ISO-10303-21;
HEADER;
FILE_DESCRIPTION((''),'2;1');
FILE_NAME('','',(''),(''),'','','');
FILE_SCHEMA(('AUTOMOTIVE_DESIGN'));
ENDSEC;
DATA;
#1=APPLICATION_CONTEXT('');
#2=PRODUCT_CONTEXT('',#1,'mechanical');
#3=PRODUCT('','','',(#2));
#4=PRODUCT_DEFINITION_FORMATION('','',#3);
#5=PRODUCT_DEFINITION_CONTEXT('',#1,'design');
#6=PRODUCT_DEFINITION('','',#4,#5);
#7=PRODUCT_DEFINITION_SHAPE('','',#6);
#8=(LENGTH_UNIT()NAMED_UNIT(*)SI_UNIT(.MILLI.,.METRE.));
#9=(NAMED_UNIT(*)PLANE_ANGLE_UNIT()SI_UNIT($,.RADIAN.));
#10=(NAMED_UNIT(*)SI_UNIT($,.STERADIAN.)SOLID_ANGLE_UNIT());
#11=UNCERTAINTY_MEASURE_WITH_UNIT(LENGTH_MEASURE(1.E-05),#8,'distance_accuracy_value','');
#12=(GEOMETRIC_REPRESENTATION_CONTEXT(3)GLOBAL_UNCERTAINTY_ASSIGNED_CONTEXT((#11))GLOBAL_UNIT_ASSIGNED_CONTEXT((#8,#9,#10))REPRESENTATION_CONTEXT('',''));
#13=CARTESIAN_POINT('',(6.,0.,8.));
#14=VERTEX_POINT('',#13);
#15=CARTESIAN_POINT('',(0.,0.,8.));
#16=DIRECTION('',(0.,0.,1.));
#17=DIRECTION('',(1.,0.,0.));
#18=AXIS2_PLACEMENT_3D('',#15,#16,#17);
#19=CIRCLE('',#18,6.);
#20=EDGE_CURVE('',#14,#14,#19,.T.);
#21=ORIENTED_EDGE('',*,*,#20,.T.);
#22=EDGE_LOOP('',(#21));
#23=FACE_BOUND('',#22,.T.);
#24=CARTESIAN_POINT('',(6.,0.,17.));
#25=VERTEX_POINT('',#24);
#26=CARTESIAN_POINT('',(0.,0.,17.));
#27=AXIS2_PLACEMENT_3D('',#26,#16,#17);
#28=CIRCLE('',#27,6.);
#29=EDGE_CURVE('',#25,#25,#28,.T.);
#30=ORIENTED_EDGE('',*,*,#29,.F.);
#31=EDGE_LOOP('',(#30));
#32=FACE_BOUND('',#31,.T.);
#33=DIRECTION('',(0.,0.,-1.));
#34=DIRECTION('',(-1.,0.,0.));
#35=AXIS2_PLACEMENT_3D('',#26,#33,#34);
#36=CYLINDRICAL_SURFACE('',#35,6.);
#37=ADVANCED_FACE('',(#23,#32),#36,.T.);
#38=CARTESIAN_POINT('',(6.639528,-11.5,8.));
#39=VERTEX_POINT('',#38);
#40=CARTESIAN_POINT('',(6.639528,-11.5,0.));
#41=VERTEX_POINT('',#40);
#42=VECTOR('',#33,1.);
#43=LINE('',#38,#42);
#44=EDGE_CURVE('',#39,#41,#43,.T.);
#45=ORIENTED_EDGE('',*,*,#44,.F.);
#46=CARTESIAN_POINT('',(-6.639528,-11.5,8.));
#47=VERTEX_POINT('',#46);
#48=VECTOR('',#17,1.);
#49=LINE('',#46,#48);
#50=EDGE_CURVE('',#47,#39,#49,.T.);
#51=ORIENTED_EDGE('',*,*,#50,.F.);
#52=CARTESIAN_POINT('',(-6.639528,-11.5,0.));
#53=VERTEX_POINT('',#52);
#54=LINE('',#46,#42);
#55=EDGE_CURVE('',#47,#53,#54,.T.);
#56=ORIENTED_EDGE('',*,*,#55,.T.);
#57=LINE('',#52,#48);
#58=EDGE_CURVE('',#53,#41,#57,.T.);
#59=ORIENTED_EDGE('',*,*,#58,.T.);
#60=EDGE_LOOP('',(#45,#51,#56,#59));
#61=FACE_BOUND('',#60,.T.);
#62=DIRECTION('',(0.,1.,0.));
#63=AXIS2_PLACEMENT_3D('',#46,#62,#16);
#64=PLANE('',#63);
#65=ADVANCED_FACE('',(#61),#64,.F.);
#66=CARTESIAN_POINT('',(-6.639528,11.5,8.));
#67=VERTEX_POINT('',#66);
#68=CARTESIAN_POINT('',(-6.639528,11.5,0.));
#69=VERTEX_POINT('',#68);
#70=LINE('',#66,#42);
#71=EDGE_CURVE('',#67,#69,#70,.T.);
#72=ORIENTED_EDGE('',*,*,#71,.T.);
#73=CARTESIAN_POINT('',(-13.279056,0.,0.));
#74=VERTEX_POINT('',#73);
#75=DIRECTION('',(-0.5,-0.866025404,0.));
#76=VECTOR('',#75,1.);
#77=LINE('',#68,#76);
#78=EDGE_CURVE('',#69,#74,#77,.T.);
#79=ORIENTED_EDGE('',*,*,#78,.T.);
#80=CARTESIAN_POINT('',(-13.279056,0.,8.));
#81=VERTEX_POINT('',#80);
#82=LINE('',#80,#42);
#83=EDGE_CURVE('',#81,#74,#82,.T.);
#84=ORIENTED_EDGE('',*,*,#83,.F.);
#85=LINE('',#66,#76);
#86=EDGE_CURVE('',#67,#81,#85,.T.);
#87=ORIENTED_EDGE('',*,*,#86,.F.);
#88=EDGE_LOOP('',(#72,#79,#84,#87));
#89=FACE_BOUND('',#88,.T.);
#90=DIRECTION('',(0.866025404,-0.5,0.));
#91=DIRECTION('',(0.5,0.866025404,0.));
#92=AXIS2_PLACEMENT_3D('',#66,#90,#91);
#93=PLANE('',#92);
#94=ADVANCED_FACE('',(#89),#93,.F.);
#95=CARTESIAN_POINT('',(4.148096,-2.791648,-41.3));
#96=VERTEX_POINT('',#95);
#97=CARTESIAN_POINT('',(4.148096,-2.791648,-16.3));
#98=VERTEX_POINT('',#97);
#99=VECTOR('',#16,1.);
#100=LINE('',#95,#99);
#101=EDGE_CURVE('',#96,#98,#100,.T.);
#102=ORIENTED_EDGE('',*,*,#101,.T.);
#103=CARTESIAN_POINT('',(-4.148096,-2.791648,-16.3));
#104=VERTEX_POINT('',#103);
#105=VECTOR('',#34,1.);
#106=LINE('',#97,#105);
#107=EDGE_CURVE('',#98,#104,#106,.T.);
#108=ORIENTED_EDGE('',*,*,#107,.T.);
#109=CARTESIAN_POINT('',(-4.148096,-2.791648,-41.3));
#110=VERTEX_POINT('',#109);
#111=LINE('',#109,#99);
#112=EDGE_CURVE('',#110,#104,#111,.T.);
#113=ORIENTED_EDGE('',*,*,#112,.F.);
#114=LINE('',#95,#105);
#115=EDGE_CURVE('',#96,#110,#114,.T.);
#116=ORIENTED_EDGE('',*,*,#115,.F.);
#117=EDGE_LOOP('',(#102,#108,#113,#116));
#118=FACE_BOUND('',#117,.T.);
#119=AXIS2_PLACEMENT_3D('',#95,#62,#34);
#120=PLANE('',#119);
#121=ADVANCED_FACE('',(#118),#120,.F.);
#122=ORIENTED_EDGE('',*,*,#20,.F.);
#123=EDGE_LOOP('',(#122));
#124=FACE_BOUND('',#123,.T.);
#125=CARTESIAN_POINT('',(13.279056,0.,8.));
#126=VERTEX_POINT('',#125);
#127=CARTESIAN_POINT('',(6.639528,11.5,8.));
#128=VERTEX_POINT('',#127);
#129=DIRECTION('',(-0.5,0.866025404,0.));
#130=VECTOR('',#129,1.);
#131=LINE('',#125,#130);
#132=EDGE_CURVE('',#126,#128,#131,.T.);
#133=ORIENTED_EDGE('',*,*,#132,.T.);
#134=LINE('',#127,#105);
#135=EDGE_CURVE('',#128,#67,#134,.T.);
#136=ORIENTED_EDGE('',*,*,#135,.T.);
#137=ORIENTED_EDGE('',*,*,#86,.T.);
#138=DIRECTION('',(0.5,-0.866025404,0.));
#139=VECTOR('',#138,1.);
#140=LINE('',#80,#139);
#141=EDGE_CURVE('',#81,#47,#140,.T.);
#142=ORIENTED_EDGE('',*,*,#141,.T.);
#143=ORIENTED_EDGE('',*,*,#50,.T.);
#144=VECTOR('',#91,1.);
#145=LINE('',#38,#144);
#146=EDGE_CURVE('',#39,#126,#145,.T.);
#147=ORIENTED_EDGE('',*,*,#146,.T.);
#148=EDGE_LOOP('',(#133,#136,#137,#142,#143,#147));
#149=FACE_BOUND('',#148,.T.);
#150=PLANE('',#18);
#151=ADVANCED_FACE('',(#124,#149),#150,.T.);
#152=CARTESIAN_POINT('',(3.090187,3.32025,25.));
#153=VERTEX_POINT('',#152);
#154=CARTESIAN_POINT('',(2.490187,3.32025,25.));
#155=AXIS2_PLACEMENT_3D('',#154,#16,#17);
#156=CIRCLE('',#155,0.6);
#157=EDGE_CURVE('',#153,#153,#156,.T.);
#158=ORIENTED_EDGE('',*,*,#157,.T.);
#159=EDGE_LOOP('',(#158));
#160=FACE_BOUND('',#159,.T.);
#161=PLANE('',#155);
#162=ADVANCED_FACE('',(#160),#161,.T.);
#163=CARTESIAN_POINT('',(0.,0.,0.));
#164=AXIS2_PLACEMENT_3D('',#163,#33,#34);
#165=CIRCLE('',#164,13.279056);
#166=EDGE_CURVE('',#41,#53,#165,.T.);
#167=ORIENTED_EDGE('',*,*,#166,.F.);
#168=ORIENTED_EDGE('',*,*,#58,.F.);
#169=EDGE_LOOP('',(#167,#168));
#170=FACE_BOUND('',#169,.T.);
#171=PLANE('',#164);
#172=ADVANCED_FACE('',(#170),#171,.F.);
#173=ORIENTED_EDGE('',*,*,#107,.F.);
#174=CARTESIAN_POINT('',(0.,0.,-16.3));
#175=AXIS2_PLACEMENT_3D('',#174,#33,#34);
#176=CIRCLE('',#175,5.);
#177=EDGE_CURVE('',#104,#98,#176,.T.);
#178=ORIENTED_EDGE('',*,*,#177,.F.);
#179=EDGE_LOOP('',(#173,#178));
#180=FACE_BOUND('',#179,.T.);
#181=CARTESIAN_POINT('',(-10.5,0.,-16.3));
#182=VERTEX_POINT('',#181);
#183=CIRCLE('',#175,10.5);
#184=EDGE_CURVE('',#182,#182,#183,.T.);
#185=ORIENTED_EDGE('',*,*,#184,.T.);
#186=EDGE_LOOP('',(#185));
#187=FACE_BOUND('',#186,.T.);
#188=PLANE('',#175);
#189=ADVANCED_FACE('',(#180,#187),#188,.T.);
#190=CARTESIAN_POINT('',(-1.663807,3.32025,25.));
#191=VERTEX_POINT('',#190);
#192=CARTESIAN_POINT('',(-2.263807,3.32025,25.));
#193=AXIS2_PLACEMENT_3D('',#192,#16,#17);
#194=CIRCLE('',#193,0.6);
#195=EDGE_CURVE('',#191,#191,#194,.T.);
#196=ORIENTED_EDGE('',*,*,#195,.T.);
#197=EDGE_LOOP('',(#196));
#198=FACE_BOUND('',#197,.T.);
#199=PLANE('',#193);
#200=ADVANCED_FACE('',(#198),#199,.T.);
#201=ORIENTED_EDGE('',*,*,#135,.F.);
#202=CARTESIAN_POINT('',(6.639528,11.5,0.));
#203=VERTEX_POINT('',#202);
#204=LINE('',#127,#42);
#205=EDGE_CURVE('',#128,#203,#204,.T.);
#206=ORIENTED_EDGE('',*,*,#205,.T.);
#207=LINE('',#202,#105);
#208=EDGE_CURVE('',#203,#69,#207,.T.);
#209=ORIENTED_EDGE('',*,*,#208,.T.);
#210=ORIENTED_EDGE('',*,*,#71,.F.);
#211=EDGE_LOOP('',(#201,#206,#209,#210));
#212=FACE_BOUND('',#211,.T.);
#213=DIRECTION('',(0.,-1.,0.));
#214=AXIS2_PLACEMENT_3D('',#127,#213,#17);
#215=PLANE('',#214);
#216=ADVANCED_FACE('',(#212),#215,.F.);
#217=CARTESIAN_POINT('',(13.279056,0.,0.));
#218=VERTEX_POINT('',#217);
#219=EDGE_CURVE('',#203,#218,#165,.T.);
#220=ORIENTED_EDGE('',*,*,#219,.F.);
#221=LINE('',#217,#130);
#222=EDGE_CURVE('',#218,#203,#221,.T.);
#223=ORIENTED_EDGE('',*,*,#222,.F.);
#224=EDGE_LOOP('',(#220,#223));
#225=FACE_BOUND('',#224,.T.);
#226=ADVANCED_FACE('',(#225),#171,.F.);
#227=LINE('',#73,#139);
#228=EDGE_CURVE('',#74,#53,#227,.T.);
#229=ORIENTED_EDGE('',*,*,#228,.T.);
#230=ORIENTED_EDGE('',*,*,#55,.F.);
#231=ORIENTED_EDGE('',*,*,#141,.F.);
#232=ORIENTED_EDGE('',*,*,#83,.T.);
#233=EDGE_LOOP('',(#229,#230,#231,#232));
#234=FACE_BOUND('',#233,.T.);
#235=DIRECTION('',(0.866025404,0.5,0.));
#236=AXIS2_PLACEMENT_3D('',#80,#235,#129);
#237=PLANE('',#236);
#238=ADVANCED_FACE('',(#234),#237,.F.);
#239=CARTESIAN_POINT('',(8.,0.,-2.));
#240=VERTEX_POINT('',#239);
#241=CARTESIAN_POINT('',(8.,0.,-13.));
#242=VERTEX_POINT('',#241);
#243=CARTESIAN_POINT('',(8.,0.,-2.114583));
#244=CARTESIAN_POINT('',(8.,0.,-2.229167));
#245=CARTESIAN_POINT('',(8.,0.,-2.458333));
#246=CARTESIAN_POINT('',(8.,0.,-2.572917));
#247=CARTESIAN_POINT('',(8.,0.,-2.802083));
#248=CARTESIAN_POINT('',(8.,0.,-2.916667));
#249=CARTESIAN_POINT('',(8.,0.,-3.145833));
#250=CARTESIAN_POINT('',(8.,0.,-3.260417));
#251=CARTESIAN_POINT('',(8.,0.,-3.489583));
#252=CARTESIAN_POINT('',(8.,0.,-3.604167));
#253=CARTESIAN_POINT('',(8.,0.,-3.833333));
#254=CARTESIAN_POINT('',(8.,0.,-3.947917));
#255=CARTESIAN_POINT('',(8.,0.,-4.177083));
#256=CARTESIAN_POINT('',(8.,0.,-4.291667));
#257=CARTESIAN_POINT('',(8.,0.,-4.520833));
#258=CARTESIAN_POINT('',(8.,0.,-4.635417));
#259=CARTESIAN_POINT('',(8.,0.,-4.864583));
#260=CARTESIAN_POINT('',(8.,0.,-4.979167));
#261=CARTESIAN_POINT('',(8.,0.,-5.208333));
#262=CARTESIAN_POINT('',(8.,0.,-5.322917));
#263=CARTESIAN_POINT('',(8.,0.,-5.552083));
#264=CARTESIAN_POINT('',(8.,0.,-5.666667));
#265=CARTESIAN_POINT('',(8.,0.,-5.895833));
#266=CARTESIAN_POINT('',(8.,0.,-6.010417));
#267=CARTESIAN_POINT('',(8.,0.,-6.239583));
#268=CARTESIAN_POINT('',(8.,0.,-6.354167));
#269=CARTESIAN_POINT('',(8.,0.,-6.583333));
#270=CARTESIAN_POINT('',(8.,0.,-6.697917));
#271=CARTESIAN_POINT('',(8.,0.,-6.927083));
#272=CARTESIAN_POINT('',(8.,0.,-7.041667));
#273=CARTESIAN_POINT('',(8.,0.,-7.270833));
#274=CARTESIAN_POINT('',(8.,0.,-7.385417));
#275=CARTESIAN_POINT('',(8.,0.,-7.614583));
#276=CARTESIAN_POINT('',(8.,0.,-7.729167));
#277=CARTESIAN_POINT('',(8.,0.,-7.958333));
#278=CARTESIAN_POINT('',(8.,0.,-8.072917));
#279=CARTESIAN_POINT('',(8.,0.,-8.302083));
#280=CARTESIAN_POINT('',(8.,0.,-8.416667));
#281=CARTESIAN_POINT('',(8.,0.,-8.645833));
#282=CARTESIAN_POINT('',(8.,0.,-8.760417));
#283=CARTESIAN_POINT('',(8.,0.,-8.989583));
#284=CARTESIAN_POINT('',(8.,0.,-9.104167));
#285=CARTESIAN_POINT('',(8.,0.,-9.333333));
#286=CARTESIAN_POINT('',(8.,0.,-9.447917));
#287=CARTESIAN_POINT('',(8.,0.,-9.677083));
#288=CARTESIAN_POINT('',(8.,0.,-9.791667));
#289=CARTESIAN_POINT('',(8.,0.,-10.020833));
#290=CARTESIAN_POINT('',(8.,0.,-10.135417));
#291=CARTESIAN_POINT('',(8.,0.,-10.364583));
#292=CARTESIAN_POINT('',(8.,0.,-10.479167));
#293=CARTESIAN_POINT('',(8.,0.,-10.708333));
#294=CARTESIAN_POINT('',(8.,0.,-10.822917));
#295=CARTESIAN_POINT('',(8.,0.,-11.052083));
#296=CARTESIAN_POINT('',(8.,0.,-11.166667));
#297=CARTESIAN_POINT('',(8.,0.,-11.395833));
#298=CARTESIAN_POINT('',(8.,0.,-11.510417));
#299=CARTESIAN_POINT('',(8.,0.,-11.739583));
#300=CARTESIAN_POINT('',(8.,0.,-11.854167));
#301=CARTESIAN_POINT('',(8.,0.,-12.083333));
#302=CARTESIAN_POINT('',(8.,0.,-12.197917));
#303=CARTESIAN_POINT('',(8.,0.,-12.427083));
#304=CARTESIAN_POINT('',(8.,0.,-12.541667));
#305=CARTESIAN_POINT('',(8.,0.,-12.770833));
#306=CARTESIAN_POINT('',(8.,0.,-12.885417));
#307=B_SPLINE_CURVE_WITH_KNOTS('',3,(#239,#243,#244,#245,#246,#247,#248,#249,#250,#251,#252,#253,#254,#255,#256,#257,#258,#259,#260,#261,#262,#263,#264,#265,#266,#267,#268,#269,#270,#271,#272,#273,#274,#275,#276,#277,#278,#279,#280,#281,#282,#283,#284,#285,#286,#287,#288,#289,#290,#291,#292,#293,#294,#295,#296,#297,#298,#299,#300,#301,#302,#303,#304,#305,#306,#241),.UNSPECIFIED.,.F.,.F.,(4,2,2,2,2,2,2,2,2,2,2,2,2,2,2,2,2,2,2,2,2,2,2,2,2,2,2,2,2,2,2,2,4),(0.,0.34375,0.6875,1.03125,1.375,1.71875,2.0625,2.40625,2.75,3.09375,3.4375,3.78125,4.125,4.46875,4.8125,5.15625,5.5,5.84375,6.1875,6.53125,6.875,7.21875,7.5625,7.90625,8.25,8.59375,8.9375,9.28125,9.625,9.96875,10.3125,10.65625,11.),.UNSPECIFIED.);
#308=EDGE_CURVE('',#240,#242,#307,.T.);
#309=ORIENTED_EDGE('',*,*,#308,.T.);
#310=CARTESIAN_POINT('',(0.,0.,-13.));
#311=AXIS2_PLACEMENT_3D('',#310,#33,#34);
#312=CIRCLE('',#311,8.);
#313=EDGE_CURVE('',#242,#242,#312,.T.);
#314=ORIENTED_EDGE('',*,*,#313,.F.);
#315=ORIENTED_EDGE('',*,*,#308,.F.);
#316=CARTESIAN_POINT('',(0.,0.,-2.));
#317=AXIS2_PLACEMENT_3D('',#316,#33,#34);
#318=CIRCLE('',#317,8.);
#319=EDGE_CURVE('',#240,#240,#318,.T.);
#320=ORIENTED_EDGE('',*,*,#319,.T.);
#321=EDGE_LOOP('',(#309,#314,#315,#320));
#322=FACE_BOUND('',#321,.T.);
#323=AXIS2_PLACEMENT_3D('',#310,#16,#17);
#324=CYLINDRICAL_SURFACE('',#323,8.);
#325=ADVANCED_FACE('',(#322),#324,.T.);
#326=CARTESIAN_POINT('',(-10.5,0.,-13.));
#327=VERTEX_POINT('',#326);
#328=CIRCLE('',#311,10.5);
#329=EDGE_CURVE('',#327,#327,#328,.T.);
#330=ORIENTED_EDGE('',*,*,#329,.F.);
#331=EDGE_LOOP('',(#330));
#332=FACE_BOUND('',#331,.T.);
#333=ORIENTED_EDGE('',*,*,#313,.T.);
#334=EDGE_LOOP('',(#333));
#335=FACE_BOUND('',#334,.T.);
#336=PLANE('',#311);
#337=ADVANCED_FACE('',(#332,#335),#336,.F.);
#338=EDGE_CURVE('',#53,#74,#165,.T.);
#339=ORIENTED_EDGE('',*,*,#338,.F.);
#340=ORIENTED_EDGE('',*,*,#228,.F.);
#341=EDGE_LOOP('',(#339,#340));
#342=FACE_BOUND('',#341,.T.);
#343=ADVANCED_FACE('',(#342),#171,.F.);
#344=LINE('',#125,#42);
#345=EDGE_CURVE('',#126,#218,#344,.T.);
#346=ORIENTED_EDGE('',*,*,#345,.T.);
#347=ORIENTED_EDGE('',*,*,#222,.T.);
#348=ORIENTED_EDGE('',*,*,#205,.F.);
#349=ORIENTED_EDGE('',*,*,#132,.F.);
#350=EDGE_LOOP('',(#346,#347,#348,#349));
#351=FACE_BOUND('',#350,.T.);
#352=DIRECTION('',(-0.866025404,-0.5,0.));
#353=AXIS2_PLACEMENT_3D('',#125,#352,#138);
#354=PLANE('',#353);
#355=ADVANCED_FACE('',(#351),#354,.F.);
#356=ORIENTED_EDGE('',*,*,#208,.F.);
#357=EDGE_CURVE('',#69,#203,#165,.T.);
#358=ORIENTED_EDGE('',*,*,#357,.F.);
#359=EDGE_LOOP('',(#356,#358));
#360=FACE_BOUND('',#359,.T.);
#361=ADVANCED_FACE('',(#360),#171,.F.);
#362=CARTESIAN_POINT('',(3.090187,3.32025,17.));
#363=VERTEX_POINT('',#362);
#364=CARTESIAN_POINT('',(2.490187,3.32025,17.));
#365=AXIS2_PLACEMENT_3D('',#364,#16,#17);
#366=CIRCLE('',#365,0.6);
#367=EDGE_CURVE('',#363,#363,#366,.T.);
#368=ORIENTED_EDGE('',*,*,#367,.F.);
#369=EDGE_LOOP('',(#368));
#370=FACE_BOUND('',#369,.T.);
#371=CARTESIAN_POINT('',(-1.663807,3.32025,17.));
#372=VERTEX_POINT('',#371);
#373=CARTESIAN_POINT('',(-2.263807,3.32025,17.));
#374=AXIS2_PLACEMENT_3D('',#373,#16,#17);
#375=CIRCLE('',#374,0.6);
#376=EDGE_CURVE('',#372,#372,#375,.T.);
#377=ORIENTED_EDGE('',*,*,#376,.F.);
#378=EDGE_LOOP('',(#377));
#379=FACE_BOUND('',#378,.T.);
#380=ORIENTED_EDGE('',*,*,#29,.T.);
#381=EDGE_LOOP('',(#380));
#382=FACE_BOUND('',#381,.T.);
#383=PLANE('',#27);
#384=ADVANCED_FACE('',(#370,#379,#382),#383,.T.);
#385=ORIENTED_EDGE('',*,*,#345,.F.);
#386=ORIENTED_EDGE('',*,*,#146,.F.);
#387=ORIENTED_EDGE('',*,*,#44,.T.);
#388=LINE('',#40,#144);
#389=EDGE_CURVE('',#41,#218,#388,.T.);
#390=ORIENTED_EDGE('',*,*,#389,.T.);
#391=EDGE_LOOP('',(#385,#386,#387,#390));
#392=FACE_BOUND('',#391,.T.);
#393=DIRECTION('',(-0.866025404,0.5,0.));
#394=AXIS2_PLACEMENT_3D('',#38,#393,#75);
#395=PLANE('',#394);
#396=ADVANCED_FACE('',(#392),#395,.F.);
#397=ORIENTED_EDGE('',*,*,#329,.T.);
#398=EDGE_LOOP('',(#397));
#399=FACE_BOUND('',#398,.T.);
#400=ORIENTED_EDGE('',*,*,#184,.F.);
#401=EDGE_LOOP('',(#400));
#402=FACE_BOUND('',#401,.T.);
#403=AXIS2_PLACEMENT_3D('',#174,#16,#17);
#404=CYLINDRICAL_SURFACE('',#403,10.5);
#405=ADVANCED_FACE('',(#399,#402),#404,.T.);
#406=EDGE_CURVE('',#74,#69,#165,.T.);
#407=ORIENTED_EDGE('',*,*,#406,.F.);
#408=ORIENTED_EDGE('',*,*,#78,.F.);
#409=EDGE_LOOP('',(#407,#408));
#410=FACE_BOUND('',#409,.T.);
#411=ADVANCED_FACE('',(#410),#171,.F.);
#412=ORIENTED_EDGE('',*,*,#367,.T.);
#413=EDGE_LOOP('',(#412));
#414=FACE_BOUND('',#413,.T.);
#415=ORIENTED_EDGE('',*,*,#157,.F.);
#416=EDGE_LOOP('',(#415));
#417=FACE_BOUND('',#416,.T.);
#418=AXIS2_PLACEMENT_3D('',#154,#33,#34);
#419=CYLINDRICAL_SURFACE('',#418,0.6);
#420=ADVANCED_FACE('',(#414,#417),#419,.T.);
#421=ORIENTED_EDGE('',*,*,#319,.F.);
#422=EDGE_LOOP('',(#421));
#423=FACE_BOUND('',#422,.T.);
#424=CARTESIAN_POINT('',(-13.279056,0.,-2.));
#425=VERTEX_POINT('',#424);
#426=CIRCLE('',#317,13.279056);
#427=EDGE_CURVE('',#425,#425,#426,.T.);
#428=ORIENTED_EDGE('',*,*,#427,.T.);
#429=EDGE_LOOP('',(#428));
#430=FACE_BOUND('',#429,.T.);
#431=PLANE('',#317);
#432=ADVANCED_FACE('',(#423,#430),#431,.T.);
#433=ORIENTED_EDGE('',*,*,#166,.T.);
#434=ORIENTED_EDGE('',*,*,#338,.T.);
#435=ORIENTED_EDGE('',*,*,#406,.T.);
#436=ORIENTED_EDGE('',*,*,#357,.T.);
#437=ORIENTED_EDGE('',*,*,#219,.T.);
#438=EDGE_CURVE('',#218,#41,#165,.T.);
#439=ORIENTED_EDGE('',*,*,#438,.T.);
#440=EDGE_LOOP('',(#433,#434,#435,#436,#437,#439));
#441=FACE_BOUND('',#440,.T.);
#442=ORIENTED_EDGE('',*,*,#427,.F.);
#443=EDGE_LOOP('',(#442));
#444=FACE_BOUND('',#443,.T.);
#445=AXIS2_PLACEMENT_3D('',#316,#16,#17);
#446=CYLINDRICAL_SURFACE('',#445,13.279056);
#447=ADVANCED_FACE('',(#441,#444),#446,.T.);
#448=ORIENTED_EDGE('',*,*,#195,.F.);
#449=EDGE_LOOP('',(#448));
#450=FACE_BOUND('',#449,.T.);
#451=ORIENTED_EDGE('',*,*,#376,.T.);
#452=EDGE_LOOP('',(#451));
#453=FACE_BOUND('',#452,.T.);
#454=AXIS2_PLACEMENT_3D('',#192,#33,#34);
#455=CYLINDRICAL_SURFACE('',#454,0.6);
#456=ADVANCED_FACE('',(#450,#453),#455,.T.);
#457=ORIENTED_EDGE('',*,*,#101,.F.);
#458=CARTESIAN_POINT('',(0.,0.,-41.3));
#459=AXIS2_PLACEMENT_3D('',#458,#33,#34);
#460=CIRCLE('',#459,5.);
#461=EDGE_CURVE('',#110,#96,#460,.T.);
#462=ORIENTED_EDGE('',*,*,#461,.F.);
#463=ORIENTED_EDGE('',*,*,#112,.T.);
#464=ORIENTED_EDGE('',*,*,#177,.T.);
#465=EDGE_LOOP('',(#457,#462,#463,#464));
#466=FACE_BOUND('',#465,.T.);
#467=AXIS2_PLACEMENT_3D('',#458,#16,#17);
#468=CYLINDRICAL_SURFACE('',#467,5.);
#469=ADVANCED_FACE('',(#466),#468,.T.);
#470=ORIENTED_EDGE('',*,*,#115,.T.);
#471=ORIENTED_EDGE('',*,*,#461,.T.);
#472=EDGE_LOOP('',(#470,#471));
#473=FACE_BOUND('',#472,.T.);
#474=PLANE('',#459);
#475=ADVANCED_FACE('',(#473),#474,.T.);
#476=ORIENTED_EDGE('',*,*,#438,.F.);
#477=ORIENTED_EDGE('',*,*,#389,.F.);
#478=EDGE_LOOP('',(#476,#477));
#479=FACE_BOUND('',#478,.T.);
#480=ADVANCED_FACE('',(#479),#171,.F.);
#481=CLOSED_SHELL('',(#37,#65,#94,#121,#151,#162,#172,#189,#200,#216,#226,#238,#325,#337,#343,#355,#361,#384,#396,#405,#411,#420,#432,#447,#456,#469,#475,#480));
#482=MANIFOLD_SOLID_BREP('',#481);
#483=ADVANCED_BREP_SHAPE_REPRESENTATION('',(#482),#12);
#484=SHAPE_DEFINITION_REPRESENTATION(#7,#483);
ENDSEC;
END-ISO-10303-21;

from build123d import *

# Parameters (mm, degrees)
RESSALTO_EXTRUS_O1_DEPTH = 8
ESBO_O2_R                = 6
RESSALTO_EXTRUS_O2_DEPTH = 9
ESBO_O3_R                = 8
RESSALTO_EXTRUS_O3_DEPTH = 13
ESBO_O4_R                = 10.5
RESSALTO_EXTRUS_O4_DEPTH = 3.3
RESSALTO_EXTRUS_O6_DEPTH = 25
ESBO_O6_R                = 13.279056191
RESSALTO_EXTRUS_O7_DEPTH = 2
ESBO_O7_R                = 0.6
RESSALTO_EXTRUS_O8_DEPTH = 8


with BuildPart() as part:
    # Esboço1 → Ressalto-extrusão1 (new body)
    with BuildSketch(Plane.XY):
        Polygon((6.639528096, -11.5), (13.279056191, 0), (6.639528096, 11.5), (-6.639528096, 11.5), (-13.279056191, 0), (-6.639528096, -11.5), align=None)
    extrude(amount=RESSALTO_EXTRUS_O1_DEPTH)

    # Esboço2 → Ressalto-extrusão2 (add)
    with BuildSketch(Plane.XY.offset(8)):
        Circle(ESBO_O2_R)
    extrude(amount=RESSALTO_EXTRUS_O2_DEPTH)

    # Esboço3 → Ressalto-extrusão3 (add)
    with BuildSketch(Plane(origin=(0, 0, 0), x_dir=(-1, 0, 0), z_dir=(0, 0, -1))):
        with Locations(Location((0, 0, 0), (0, 0, 180))):
            Circle(ESBO_O3_R)
    extrude(amount=RESSALTO_EXTRUS_O3_DEPTH)

    # Esboço4 → Ressalto-extrusão4 (add)
    with BuildSketch(Plane(origin=(0, 0, -13), x_dir=(-1, 0, 0), z_dir=(0, 0, -1))):
        Circle(ESBO_O4_R)
    extrude(amount=RESSALTO_EXTRUS_O4_DEPTH)

    # Esboço5 → Ressalto-extrusão6 (add)
    with BuildSketch(Plane(origin=(0, 0, -16.3), x_dir=(-1, 0, 0), z_dir=(0, 0, -1))):
        with BuildLine():
            Line((-4.148096191, -2.791647899), (4.148096191, -2.791647899))
            ThreePointArc((4.148096191, -2.791647899), (0, 5), (-4.148096191, -2.791647899))
        make_face()
    extrude(amount=RESSALTO_EXTRUS_O6_DEPTH)

    # Esboço6 → Ressalto-extrusão7 (add)
    with BuildSketch(Plane(origin=(0, 0, 0), x_dir=(-1, 0, 0), z_dir=(0, 0, -1))):
        Circle(ESBO_O6_R)
    extrude(amount=RESSALTO_EXTRUS_O7_DEPTH)

    # Esboço7 → Ressalto-extrusão8 (add)
    with BuildSketch(Plane.XY.offset(17)):
        with Locations((-2.263806511, 3.320249549)):
            Circle(ESBO_O7_R)
        with Locations((2.490187162, 3.320249549)):
            Circle(ESBO_O7_R)
    extrude(amount=RESSALTO_EXTRUS_O8_DEPTH)


solid = part.part
